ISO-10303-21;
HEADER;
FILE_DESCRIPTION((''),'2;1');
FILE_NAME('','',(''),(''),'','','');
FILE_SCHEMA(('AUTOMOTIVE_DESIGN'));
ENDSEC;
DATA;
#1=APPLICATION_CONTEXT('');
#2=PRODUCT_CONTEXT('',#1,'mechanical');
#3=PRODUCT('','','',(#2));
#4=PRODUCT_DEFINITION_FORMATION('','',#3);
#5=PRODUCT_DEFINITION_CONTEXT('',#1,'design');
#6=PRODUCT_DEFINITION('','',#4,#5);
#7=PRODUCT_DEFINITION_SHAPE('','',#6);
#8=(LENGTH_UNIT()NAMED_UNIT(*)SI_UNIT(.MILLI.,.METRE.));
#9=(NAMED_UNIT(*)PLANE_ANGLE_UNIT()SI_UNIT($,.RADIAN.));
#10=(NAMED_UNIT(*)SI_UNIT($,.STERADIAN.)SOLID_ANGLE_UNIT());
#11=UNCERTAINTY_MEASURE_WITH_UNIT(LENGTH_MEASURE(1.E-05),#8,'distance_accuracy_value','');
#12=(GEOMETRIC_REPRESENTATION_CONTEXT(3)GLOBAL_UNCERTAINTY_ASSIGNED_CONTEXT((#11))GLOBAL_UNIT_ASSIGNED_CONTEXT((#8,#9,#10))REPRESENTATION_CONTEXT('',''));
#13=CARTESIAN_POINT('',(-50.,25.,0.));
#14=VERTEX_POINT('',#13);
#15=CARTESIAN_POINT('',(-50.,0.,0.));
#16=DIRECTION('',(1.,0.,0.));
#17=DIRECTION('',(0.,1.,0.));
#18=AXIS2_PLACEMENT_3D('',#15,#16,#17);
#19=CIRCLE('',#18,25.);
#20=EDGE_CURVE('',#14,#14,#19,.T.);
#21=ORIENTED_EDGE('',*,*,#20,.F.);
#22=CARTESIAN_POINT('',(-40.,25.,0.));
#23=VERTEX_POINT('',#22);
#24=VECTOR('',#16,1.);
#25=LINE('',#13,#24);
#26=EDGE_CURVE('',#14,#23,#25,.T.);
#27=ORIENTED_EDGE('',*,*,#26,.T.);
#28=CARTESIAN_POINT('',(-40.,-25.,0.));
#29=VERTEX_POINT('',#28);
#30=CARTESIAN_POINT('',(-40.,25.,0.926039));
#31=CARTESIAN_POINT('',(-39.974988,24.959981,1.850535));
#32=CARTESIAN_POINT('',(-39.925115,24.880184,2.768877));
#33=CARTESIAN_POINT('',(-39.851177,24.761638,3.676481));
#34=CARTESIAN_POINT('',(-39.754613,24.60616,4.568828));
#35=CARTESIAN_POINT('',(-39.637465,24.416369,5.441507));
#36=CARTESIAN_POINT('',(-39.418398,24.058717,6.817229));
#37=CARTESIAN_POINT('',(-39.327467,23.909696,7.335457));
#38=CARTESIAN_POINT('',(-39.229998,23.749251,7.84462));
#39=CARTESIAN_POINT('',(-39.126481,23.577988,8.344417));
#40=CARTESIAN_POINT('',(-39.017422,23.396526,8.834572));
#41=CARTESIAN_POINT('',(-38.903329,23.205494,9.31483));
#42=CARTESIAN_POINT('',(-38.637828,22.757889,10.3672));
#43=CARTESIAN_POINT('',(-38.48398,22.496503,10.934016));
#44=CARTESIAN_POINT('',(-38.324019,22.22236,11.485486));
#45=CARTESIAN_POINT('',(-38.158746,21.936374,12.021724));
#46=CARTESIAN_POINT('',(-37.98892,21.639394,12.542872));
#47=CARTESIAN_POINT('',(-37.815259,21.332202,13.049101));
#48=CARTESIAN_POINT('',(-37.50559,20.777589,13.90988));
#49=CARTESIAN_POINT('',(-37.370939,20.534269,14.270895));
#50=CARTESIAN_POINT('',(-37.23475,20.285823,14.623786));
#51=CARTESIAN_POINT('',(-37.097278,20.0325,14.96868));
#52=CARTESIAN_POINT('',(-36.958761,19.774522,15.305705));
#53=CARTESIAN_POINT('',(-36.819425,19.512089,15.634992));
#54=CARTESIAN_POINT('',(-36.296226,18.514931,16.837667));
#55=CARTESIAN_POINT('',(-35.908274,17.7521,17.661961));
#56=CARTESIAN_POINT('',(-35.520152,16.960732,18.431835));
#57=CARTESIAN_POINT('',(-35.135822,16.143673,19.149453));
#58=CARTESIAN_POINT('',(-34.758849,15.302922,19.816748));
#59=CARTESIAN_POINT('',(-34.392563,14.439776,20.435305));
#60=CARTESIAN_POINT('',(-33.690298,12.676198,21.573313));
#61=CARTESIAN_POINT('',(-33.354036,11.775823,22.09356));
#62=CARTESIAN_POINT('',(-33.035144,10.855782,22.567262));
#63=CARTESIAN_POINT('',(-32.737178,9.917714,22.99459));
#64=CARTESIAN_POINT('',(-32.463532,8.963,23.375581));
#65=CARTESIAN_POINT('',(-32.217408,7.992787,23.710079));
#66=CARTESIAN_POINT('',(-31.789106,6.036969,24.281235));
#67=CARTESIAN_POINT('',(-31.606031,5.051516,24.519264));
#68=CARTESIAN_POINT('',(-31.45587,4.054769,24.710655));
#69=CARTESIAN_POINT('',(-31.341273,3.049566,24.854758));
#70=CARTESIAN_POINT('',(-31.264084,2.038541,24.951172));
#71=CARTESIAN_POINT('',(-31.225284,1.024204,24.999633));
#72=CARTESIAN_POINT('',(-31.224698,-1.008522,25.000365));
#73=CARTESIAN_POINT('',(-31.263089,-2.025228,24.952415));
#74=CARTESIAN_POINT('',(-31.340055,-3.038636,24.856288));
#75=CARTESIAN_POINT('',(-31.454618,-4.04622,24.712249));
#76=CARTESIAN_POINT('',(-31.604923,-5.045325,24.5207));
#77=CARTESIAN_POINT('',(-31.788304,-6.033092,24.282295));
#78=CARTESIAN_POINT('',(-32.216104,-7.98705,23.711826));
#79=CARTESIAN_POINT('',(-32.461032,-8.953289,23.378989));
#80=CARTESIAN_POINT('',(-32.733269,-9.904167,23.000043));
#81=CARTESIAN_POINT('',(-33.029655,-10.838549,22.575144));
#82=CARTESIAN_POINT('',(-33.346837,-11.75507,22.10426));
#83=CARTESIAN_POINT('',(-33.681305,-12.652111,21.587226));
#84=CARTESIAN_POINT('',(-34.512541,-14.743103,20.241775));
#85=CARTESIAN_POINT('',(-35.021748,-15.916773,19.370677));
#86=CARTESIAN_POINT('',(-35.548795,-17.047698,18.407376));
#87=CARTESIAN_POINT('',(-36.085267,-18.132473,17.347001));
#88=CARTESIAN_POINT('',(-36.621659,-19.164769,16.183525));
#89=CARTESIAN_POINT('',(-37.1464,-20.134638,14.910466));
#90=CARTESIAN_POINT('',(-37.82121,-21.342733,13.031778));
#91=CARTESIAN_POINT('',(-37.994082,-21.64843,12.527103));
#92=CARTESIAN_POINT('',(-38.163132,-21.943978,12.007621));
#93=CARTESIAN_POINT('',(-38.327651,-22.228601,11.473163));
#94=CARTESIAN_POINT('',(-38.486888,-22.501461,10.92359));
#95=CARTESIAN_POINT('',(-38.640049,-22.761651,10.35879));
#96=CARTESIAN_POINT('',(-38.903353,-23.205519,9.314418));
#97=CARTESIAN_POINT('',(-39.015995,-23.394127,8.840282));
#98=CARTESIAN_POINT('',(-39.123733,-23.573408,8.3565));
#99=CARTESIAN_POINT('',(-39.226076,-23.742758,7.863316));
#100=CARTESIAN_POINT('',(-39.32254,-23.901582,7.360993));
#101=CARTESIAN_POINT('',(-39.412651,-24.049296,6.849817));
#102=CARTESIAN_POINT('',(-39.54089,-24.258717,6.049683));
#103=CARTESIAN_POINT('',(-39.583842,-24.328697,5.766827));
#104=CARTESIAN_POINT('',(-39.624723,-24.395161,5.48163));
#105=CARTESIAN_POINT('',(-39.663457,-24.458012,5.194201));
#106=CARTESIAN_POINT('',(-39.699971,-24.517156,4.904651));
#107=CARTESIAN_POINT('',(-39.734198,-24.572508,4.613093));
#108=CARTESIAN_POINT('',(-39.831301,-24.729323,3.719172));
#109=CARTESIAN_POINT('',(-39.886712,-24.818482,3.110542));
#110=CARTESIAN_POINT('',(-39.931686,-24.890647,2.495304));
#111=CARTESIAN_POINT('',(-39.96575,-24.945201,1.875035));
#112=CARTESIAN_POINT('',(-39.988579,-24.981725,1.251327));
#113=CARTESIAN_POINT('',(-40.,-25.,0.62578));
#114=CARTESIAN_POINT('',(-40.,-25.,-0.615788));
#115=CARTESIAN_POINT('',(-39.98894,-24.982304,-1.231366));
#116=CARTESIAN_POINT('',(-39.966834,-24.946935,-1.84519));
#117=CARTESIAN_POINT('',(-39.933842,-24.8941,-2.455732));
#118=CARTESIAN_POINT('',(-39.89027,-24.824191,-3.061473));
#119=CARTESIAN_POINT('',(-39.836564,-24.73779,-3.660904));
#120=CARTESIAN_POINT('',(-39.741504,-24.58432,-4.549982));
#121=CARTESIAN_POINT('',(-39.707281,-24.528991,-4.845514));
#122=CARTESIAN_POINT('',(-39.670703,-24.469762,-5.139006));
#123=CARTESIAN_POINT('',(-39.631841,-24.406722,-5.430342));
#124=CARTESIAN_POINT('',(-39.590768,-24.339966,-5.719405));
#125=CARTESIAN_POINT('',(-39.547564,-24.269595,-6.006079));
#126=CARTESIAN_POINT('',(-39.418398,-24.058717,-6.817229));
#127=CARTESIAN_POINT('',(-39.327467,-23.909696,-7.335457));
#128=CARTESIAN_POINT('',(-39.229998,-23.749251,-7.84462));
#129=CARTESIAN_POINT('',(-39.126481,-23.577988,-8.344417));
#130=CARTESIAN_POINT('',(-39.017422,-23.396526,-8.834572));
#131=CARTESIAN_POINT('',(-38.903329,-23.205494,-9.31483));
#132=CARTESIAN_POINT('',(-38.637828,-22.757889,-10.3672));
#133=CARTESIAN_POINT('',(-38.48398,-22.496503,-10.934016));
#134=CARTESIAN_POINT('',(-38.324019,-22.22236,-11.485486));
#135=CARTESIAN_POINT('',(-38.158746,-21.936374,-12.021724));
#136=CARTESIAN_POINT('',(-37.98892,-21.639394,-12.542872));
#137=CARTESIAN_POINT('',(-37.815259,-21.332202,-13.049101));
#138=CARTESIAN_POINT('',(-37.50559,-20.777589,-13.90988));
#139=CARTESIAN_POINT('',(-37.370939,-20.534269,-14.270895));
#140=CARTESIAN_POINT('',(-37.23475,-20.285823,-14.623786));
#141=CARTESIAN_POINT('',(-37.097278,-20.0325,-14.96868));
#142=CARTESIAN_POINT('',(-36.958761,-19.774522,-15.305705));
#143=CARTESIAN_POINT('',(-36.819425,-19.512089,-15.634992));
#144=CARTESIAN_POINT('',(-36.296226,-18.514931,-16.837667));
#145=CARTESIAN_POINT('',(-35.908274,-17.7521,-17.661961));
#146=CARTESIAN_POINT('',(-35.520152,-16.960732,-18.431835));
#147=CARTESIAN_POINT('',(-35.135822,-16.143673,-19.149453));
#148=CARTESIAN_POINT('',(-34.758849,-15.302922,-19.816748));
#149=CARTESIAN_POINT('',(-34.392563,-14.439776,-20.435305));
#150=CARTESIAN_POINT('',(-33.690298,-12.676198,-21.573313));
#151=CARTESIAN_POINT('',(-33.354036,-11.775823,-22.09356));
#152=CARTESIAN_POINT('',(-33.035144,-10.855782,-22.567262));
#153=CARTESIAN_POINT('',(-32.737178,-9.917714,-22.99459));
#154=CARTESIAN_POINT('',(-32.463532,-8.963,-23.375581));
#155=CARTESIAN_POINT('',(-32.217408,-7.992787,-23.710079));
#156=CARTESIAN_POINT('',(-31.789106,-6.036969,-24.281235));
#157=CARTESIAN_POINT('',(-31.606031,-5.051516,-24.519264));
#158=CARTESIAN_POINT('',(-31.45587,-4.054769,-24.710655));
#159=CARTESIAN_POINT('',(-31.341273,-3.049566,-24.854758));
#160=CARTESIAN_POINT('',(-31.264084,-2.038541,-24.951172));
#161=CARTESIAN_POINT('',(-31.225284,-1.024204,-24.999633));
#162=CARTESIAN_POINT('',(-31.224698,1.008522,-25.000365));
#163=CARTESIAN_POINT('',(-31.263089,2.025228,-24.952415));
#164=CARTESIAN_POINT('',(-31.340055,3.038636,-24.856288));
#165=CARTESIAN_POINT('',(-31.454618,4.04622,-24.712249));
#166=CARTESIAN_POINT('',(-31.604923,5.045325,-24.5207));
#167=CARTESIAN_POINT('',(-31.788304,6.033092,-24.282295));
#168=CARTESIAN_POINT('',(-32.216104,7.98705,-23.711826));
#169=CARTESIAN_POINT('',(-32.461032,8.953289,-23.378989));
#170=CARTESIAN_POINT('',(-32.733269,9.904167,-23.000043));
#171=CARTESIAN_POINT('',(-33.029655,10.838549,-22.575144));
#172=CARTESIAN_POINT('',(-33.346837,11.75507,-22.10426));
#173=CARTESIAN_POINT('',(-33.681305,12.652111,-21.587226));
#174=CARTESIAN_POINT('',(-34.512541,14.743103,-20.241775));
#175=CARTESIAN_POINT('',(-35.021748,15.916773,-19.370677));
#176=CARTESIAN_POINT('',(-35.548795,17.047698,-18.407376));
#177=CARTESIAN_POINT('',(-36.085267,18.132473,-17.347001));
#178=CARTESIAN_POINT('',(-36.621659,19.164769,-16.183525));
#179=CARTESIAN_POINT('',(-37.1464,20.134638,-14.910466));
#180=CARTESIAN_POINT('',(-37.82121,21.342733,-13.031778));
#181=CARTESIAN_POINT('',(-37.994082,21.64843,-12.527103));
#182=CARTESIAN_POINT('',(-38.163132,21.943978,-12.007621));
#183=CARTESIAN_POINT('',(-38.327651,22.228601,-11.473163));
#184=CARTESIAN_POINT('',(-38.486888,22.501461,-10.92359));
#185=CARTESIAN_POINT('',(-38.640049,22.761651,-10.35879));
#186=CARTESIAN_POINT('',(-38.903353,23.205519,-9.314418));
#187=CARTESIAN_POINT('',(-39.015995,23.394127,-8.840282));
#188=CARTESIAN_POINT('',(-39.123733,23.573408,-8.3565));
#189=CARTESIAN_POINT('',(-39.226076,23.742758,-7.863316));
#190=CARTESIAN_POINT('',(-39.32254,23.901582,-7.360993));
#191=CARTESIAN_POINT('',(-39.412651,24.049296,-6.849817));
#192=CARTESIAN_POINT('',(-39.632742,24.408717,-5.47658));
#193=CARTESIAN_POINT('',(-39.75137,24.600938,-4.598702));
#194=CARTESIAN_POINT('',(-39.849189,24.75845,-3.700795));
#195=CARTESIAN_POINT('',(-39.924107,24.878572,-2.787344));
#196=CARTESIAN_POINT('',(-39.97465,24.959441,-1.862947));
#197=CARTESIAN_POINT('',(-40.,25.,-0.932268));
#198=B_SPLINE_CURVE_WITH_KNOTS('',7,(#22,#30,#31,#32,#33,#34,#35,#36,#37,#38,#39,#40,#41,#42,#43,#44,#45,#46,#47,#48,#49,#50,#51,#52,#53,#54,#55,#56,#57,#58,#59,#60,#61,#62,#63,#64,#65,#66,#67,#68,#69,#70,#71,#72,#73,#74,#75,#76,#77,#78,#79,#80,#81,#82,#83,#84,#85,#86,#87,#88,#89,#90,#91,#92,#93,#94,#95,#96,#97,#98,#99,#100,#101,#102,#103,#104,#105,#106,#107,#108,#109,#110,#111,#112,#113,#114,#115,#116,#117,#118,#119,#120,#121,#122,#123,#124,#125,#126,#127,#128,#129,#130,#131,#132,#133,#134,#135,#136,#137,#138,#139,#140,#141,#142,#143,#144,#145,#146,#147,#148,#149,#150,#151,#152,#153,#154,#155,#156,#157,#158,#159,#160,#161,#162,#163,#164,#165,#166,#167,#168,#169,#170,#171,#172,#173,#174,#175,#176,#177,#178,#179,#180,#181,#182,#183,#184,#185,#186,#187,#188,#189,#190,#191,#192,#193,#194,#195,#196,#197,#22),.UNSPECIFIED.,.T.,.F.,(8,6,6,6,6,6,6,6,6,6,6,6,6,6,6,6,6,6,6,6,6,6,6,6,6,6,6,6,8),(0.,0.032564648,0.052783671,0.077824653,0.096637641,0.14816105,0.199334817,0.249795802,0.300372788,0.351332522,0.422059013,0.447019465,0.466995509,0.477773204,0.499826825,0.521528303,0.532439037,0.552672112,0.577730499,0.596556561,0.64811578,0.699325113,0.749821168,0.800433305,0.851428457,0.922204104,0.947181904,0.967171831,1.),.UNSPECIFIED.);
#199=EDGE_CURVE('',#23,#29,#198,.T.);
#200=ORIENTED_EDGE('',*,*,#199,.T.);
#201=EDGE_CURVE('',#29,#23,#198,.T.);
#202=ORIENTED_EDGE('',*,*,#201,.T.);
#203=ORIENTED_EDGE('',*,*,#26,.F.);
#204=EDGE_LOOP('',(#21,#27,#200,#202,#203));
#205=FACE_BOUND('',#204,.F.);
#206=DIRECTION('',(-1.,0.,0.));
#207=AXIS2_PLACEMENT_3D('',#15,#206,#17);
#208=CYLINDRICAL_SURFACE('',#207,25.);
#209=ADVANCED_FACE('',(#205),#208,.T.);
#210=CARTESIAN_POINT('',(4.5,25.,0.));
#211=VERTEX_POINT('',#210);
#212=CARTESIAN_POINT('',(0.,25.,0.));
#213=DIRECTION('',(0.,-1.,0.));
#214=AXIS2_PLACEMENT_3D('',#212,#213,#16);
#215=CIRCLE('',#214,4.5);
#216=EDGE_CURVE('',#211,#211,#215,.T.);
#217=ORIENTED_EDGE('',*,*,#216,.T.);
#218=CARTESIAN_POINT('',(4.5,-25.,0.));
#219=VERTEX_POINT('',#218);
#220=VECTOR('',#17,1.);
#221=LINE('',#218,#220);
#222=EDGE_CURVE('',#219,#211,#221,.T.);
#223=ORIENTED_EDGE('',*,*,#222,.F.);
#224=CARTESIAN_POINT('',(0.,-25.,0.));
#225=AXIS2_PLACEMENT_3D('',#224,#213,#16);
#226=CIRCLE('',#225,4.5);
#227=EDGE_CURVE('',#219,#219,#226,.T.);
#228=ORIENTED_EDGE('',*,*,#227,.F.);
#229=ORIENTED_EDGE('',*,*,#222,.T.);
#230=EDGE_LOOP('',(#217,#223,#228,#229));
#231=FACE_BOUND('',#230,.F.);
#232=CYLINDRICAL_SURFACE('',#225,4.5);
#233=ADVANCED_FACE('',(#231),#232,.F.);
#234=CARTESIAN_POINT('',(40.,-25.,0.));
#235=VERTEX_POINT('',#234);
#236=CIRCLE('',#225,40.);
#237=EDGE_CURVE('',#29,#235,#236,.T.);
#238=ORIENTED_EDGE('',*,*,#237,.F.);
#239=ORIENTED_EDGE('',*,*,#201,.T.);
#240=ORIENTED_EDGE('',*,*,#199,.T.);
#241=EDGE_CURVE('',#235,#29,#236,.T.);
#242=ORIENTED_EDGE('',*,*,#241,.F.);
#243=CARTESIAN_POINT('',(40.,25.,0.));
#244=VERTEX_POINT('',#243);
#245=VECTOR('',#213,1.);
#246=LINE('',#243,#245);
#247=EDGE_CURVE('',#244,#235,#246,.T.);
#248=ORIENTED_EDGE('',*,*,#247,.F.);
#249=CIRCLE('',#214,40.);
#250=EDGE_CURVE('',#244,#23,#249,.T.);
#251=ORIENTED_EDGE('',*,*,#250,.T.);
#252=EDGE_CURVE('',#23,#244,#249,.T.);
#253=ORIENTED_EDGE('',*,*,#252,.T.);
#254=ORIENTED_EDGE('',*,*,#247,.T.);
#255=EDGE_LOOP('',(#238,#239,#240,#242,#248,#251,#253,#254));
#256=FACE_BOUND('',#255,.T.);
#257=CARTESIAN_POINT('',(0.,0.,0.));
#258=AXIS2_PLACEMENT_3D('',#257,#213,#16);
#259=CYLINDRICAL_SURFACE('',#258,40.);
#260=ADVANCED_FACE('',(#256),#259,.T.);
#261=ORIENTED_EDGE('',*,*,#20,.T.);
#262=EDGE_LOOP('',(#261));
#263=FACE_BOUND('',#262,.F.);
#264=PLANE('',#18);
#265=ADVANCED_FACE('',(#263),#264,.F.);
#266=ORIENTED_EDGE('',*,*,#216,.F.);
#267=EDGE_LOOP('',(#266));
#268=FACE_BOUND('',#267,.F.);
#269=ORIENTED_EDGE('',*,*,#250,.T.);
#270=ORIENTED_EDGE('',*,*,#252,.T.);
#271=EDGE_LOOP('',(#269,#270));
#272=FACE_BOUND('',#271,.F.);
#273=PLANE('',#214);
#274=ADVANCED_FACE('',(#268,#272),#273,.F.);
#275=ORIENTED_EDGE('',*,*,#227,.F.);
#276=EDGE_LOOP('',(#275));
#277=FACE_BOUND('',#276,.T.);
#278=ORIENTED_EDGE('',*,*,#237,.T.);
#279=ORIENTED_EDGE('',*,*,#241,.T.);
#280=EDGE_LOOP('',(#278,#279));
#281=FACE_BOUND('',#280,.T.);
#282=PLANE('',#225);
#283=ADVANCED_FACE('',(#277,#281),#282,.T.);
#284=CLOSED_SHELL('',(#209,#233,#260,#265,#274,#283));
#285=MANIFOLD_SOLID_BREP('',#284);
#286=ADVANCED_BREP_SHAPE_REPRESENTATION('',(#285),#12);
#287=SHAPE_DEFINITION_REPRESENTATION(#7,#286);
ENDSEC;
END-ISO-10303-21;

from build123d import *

# Parameters (mm, degrees)
F0_R     = 40
F1_DEPTH = 25
F3_R     = 25
F4_DEPTH = 19.775010108
F5_R     = 4.5
F6_DEPTH = 50.0010001


with BuildPart() as f1:
    # F0 (on Front) → F1 (new body, symmetric)
    with BuildSketch(Plane.XZ):
        Circle(F0_R)
    extrude(amount=F1_DEPTH, both=True)

    # F3 (on offset) → F4 (join, up to face)
    with BuildSketch(Plane.YZ.offset(-50)):
        Circle(F3_R)
    extrude(amount=F4_DEPTH)

    # F5 (on face) → F6 (cut, through all)
    with BuildSketch(Plane.XZ.offset(25)):
        Circle(F5_R)
    extrude(amount=-F6_DEPTH, mode=Mode.SUBTRACT)


solid = f1.part
